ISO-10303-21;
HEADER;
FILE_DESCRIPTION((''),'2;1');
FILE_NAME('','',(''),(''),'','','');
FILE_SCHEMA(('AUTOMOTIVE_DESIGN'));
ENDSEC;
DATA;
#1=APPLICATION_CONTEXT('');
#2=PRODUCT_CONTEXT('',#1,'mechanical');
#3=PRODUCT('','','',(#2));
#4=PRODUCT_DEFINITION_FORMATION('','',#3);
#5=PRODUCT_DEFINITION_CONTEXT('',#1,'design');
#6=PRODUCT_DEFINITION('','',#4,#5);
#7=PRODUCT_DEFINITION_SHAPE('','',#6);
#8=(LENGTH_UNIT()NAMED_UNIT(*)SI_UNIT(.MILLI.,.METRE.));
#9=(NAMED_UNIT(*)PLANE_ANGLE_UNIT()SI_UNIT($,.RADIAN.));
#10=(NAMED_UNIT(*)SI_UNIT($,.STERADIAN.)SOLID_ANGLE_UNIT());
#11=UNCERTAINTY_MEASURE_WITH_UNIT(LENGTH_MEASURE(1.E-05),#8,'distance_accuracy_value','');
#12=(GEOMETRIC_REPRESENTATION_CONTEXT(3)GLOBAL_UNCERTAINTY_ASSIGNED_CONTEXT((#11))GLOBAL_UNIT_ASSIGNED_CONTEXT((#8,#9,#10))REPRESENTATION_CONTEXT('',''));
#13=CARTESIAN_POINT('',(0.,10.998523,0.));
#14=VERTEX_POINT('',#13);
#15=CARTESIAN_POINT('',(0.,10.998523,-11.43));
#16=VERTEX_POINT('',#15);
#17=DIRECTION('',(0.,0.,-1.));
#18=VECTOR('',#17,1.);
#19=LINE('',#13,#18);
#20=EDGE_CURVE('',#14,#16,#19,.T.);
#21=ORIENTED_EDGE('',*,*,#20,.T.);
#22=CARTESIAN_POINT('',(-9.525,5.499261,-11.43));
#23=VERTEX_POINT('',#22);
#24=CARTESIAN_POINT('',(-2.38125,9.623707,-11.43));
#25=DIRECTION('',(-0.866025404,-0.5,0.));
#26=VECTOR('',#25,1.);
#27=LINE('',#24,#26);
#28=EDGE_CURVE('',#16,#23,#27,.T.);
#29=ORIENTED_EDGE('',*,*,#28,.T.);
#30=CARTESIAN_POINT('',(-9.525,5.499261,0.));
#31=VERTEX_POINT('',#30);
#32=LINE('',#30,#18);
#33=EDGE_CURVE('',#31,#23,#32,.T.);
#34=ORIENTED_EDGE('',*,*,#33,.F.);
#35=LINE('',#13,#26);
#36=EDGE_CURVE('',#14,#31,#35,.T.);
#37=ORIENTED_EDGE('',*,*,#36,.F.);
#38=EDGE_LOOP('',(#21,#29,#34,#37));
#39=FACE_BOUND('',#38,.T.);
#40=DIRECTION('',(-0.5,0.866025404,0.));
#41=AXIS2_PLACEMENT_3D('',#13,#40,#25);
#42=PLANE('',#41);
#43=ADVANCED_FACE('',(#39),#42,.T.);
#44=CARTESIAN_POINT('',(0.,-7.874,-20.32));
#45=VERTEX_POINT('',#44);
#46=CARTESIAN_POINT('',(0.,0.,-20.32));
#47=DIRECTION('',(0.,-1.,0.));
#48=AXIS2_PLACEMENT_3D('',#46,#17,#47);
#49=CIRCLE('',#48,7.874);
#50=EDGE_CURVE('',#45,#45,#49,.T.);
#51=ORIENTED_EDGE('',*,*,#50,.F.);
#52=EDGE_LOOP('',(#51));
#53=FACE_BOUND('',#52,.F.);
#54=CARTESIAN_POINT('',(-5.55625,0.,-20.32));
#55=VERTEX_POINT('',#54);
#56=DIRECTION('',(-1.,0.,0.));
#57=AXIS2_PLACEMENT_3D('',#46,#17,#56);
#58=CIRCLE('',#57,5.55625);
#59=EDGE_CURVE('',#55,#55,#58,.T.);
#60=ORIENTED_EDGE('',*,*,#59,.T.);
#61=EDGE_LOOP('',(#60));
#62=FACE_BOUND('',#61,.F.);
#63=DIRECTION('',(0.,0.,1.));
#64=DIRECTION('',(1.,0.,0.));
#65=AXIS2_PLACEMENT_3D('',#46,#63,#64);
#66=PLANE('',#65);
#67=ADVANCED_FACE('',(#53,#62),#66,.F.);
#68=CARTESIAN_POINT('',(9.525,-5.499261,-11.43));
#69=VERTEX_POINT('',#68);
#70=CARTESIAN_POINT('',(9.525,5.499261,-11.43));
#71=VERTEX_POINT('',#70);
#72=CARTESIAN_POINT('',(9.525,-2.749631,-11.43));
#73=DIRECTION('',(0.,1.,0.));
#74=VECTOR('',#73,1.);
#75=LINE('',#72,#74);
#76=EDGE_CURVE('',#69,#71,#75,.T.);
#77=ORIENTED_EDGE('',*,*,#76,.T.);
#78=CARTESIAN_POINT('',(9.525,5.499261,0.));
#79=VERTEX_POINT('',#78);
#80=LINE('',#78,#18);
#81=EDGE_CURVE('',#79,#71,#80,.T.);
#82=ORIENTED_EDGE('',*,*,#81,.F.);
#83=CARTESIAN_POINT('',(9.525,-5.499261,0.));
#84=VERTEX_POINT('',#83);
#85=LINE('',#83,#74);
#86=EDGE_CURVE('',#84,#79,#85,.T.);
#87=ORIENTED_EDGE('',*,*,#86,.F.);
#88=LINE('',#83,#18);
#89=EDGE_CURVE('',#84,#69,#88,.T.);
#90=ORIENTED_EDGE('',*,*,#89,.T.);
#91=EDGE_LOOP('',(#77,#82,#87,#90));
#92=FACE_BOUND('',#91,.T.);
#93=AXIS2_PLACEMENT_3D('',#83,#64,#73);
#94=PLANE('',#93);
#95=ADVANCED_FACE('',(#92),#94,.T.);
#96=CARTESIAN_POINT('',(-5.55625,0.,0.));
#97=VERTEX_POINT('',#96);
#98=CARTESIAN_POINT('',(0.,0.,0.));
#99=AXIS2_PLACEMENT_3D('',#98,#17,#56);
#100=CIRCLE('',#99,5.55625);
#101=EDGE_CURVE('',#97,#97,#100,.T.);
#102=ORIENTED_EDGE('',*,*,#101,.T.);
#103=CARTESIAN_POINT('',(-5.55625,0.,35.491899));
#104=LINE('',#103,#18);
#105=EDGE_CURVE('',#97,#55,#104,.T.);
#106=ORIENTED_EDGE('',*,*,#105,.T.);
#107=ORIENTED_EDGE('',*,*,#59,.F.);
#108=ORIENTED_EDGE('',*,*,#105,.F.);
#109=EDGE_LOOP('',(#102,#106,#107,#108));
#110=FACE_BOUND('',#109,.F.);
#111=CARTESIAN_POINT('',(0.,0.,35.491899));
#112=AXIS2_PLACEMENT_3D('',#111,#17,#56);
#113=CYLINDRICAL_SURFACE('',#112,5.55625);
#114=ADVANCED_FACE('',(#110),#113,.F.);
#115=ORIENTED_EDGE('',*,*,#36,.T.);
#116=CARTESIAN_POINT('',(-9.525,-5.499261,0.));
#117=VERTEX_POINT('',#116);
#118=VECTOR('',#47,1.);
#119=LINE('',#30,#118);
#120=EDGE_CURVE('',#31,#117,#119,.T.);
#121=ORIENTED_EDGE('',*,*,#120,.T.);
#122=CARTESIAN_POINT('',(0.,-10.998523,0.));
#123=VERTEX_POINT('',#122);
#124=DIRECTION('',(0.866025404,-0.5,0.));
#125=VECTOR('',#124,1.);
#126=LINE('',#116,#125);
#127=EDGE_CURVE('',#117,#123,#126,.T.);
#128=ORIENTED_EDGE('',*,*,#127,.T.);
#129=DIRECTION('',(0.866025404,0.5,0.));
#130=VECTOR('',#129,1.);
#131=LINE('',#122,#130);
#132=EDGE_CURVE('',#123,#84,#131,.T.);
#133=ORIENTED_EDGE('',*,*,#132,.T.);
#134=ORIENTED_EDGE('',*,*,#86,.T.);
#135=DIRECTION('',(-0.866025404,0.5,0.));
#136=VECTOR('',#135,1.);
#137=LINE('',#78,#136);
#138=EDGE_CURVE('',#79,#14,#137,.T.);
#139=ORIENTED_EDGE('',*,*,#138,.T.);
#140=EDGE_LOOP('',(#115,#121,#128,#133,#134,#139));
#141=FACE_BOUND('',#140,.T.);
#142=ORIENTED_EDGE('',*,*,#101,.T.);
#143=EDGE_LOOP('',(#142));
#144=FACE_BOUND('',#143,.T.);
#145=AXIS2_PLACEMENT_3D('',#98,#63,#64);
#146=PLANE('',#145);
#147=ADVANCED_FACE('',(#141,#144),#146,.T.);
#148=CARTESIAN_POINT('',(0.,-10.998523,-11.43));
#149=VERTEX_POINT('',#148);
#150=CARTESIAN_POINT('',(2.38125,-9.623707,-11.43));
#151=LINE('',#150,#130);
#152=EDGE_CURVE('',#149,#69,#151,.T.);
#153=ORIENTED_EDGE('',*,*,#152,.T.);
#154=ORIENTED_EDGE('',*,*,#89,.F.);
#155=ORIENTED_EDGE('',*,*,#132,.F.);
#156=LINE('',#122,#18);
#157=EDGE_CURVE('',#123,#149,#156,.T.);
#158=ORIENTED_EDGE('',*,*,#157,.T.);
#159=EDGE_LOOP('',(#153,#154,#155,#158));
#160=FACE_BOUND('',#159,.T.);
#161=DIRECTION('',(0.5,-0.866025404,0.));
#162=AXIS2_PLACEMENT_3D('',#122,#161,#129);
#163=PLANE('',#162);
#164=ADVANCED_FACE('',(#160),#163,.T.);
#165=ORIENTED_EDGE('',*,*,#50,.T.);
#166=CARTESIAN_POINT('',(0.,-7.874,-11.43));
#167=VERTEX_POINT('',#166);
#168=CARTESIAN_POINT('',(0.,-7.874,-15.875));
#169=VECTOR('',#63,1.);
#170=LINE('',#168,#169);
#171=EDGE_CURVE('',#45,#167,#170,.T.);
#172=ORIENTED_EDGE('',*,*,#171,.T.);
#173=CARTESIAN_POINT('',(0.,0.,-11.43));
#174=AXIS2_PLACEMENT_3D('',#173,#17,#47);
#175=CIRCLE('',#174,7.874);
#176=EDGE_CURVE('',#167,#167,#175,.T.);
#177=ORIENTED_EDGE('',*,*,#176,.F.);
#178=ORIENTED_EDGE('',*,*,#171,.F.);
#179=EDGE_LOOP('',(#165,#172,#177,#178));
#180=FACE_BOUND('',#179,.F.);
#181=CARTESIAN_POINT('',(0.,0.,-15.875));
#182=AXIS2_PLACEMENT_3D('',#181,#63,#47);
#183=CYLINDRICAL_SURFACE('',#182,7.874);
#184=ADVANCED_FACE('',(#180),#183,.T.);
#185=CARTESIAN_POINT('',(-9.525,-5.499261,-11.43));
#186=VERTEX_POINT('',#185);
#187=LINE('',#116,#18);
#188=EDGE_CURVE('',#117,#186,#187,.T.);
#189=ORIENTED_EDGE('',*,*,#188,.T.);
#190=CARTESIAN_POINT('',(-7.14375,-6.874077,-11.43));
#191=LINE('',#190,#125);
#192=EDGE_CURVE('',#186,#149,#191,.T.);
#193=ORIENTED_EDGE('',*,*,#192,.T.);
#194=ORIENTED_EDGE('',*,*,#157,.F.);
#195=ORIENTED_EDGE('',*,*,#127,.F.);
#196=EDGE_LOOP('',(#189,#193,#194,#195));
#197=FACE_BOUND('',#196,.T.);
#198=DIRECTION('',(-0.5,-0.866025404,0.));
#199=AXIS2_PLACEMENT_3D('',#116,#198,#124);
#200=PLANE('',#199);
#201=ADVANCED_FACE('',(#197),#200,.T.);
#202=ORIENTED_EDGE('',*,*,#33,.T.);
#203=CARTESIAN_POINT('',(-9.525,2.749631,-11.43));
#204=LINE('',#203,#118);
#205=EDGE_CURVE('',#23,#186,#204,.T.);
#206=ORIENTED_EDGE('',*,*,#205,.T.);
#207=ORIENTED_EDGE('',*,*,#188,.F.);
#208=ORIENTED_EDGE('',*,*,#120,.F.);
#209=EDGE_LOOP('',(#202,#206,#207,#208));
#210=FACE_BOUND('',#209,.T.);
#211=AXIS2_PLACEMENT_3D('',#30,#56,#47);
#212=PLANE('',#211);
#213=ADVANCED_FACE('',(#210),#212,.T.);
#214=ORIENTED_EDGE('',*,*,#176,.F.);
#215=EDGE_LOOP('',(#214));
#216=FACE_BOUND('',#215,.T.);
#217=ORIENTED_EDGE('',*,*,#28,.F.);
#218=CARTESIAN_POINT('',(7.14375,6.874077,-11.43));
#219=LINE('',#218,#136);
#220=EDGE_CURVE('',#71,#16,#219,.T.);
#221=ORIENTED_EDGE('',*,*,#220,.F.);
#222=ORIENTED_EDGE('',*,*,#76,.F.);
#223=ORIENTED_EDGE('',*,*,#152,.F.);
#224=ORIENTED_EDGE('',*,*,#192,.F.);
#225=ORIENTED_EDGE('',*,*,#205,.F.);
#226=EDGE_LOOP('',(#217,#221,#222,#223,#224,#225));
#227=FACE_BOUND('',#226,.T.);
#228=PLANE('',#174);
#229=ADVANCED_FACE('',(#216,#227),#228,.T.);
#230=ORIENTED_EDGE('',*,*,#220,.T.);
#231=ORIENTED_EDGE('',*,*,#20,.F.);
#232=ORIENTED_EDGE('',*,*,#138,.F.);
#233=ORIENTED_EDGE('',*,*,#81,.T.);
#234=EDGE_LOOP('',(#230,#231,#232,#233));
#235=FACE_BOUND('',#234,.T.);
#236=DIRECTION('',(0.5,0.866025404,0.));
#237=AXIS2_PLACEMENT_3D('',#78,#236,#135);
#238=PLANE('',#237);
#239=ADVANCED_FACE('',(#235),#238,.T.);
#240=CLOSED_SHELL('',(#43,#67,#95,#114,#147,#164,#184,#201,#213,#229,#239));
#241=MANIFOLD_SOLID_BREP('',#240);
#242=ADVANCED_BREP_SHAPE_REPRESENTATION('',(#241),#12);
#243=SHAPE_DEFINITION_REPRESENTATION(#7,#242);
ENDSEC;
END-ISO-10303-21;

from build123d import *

# Parameters (mm, degrees)
F1_DEPTH = 20.32
F2_W     = 3.1245226281
F2_H     = 8.89
F6_D     = 11.1125


with BuildPart() as f1:
    # F0 (on Top) → F1 (new body)
    with BuildSketch(Plane.XY):
        Polygon((-9.525, 5.499261314), (-9.525, -5.499261314), (0, -10.9985226281), (9.525, -5.499261314), (9.525, 5.499261314), (0, 10.9985226281), align=None)
    extrude(amount=-F1_DEPTH)

    # F2 (on Right) → F4 (revolve, cut)
    with BuildSketch(Plane.YZ):
        with Locations((-9.436261314, -15.875)):
            Rectangle(F2_W, F2_H)
    revolve(axis=Axis((0, 0, -8.0978884362), (0, 0, -1)), mode=Mode.SUBTRACT)

    # F6 (through all)
    with Locations(Plane.XY):
        with Locations((0, 0)):
            Hole(F6_D / 2)


solid = f1.part
